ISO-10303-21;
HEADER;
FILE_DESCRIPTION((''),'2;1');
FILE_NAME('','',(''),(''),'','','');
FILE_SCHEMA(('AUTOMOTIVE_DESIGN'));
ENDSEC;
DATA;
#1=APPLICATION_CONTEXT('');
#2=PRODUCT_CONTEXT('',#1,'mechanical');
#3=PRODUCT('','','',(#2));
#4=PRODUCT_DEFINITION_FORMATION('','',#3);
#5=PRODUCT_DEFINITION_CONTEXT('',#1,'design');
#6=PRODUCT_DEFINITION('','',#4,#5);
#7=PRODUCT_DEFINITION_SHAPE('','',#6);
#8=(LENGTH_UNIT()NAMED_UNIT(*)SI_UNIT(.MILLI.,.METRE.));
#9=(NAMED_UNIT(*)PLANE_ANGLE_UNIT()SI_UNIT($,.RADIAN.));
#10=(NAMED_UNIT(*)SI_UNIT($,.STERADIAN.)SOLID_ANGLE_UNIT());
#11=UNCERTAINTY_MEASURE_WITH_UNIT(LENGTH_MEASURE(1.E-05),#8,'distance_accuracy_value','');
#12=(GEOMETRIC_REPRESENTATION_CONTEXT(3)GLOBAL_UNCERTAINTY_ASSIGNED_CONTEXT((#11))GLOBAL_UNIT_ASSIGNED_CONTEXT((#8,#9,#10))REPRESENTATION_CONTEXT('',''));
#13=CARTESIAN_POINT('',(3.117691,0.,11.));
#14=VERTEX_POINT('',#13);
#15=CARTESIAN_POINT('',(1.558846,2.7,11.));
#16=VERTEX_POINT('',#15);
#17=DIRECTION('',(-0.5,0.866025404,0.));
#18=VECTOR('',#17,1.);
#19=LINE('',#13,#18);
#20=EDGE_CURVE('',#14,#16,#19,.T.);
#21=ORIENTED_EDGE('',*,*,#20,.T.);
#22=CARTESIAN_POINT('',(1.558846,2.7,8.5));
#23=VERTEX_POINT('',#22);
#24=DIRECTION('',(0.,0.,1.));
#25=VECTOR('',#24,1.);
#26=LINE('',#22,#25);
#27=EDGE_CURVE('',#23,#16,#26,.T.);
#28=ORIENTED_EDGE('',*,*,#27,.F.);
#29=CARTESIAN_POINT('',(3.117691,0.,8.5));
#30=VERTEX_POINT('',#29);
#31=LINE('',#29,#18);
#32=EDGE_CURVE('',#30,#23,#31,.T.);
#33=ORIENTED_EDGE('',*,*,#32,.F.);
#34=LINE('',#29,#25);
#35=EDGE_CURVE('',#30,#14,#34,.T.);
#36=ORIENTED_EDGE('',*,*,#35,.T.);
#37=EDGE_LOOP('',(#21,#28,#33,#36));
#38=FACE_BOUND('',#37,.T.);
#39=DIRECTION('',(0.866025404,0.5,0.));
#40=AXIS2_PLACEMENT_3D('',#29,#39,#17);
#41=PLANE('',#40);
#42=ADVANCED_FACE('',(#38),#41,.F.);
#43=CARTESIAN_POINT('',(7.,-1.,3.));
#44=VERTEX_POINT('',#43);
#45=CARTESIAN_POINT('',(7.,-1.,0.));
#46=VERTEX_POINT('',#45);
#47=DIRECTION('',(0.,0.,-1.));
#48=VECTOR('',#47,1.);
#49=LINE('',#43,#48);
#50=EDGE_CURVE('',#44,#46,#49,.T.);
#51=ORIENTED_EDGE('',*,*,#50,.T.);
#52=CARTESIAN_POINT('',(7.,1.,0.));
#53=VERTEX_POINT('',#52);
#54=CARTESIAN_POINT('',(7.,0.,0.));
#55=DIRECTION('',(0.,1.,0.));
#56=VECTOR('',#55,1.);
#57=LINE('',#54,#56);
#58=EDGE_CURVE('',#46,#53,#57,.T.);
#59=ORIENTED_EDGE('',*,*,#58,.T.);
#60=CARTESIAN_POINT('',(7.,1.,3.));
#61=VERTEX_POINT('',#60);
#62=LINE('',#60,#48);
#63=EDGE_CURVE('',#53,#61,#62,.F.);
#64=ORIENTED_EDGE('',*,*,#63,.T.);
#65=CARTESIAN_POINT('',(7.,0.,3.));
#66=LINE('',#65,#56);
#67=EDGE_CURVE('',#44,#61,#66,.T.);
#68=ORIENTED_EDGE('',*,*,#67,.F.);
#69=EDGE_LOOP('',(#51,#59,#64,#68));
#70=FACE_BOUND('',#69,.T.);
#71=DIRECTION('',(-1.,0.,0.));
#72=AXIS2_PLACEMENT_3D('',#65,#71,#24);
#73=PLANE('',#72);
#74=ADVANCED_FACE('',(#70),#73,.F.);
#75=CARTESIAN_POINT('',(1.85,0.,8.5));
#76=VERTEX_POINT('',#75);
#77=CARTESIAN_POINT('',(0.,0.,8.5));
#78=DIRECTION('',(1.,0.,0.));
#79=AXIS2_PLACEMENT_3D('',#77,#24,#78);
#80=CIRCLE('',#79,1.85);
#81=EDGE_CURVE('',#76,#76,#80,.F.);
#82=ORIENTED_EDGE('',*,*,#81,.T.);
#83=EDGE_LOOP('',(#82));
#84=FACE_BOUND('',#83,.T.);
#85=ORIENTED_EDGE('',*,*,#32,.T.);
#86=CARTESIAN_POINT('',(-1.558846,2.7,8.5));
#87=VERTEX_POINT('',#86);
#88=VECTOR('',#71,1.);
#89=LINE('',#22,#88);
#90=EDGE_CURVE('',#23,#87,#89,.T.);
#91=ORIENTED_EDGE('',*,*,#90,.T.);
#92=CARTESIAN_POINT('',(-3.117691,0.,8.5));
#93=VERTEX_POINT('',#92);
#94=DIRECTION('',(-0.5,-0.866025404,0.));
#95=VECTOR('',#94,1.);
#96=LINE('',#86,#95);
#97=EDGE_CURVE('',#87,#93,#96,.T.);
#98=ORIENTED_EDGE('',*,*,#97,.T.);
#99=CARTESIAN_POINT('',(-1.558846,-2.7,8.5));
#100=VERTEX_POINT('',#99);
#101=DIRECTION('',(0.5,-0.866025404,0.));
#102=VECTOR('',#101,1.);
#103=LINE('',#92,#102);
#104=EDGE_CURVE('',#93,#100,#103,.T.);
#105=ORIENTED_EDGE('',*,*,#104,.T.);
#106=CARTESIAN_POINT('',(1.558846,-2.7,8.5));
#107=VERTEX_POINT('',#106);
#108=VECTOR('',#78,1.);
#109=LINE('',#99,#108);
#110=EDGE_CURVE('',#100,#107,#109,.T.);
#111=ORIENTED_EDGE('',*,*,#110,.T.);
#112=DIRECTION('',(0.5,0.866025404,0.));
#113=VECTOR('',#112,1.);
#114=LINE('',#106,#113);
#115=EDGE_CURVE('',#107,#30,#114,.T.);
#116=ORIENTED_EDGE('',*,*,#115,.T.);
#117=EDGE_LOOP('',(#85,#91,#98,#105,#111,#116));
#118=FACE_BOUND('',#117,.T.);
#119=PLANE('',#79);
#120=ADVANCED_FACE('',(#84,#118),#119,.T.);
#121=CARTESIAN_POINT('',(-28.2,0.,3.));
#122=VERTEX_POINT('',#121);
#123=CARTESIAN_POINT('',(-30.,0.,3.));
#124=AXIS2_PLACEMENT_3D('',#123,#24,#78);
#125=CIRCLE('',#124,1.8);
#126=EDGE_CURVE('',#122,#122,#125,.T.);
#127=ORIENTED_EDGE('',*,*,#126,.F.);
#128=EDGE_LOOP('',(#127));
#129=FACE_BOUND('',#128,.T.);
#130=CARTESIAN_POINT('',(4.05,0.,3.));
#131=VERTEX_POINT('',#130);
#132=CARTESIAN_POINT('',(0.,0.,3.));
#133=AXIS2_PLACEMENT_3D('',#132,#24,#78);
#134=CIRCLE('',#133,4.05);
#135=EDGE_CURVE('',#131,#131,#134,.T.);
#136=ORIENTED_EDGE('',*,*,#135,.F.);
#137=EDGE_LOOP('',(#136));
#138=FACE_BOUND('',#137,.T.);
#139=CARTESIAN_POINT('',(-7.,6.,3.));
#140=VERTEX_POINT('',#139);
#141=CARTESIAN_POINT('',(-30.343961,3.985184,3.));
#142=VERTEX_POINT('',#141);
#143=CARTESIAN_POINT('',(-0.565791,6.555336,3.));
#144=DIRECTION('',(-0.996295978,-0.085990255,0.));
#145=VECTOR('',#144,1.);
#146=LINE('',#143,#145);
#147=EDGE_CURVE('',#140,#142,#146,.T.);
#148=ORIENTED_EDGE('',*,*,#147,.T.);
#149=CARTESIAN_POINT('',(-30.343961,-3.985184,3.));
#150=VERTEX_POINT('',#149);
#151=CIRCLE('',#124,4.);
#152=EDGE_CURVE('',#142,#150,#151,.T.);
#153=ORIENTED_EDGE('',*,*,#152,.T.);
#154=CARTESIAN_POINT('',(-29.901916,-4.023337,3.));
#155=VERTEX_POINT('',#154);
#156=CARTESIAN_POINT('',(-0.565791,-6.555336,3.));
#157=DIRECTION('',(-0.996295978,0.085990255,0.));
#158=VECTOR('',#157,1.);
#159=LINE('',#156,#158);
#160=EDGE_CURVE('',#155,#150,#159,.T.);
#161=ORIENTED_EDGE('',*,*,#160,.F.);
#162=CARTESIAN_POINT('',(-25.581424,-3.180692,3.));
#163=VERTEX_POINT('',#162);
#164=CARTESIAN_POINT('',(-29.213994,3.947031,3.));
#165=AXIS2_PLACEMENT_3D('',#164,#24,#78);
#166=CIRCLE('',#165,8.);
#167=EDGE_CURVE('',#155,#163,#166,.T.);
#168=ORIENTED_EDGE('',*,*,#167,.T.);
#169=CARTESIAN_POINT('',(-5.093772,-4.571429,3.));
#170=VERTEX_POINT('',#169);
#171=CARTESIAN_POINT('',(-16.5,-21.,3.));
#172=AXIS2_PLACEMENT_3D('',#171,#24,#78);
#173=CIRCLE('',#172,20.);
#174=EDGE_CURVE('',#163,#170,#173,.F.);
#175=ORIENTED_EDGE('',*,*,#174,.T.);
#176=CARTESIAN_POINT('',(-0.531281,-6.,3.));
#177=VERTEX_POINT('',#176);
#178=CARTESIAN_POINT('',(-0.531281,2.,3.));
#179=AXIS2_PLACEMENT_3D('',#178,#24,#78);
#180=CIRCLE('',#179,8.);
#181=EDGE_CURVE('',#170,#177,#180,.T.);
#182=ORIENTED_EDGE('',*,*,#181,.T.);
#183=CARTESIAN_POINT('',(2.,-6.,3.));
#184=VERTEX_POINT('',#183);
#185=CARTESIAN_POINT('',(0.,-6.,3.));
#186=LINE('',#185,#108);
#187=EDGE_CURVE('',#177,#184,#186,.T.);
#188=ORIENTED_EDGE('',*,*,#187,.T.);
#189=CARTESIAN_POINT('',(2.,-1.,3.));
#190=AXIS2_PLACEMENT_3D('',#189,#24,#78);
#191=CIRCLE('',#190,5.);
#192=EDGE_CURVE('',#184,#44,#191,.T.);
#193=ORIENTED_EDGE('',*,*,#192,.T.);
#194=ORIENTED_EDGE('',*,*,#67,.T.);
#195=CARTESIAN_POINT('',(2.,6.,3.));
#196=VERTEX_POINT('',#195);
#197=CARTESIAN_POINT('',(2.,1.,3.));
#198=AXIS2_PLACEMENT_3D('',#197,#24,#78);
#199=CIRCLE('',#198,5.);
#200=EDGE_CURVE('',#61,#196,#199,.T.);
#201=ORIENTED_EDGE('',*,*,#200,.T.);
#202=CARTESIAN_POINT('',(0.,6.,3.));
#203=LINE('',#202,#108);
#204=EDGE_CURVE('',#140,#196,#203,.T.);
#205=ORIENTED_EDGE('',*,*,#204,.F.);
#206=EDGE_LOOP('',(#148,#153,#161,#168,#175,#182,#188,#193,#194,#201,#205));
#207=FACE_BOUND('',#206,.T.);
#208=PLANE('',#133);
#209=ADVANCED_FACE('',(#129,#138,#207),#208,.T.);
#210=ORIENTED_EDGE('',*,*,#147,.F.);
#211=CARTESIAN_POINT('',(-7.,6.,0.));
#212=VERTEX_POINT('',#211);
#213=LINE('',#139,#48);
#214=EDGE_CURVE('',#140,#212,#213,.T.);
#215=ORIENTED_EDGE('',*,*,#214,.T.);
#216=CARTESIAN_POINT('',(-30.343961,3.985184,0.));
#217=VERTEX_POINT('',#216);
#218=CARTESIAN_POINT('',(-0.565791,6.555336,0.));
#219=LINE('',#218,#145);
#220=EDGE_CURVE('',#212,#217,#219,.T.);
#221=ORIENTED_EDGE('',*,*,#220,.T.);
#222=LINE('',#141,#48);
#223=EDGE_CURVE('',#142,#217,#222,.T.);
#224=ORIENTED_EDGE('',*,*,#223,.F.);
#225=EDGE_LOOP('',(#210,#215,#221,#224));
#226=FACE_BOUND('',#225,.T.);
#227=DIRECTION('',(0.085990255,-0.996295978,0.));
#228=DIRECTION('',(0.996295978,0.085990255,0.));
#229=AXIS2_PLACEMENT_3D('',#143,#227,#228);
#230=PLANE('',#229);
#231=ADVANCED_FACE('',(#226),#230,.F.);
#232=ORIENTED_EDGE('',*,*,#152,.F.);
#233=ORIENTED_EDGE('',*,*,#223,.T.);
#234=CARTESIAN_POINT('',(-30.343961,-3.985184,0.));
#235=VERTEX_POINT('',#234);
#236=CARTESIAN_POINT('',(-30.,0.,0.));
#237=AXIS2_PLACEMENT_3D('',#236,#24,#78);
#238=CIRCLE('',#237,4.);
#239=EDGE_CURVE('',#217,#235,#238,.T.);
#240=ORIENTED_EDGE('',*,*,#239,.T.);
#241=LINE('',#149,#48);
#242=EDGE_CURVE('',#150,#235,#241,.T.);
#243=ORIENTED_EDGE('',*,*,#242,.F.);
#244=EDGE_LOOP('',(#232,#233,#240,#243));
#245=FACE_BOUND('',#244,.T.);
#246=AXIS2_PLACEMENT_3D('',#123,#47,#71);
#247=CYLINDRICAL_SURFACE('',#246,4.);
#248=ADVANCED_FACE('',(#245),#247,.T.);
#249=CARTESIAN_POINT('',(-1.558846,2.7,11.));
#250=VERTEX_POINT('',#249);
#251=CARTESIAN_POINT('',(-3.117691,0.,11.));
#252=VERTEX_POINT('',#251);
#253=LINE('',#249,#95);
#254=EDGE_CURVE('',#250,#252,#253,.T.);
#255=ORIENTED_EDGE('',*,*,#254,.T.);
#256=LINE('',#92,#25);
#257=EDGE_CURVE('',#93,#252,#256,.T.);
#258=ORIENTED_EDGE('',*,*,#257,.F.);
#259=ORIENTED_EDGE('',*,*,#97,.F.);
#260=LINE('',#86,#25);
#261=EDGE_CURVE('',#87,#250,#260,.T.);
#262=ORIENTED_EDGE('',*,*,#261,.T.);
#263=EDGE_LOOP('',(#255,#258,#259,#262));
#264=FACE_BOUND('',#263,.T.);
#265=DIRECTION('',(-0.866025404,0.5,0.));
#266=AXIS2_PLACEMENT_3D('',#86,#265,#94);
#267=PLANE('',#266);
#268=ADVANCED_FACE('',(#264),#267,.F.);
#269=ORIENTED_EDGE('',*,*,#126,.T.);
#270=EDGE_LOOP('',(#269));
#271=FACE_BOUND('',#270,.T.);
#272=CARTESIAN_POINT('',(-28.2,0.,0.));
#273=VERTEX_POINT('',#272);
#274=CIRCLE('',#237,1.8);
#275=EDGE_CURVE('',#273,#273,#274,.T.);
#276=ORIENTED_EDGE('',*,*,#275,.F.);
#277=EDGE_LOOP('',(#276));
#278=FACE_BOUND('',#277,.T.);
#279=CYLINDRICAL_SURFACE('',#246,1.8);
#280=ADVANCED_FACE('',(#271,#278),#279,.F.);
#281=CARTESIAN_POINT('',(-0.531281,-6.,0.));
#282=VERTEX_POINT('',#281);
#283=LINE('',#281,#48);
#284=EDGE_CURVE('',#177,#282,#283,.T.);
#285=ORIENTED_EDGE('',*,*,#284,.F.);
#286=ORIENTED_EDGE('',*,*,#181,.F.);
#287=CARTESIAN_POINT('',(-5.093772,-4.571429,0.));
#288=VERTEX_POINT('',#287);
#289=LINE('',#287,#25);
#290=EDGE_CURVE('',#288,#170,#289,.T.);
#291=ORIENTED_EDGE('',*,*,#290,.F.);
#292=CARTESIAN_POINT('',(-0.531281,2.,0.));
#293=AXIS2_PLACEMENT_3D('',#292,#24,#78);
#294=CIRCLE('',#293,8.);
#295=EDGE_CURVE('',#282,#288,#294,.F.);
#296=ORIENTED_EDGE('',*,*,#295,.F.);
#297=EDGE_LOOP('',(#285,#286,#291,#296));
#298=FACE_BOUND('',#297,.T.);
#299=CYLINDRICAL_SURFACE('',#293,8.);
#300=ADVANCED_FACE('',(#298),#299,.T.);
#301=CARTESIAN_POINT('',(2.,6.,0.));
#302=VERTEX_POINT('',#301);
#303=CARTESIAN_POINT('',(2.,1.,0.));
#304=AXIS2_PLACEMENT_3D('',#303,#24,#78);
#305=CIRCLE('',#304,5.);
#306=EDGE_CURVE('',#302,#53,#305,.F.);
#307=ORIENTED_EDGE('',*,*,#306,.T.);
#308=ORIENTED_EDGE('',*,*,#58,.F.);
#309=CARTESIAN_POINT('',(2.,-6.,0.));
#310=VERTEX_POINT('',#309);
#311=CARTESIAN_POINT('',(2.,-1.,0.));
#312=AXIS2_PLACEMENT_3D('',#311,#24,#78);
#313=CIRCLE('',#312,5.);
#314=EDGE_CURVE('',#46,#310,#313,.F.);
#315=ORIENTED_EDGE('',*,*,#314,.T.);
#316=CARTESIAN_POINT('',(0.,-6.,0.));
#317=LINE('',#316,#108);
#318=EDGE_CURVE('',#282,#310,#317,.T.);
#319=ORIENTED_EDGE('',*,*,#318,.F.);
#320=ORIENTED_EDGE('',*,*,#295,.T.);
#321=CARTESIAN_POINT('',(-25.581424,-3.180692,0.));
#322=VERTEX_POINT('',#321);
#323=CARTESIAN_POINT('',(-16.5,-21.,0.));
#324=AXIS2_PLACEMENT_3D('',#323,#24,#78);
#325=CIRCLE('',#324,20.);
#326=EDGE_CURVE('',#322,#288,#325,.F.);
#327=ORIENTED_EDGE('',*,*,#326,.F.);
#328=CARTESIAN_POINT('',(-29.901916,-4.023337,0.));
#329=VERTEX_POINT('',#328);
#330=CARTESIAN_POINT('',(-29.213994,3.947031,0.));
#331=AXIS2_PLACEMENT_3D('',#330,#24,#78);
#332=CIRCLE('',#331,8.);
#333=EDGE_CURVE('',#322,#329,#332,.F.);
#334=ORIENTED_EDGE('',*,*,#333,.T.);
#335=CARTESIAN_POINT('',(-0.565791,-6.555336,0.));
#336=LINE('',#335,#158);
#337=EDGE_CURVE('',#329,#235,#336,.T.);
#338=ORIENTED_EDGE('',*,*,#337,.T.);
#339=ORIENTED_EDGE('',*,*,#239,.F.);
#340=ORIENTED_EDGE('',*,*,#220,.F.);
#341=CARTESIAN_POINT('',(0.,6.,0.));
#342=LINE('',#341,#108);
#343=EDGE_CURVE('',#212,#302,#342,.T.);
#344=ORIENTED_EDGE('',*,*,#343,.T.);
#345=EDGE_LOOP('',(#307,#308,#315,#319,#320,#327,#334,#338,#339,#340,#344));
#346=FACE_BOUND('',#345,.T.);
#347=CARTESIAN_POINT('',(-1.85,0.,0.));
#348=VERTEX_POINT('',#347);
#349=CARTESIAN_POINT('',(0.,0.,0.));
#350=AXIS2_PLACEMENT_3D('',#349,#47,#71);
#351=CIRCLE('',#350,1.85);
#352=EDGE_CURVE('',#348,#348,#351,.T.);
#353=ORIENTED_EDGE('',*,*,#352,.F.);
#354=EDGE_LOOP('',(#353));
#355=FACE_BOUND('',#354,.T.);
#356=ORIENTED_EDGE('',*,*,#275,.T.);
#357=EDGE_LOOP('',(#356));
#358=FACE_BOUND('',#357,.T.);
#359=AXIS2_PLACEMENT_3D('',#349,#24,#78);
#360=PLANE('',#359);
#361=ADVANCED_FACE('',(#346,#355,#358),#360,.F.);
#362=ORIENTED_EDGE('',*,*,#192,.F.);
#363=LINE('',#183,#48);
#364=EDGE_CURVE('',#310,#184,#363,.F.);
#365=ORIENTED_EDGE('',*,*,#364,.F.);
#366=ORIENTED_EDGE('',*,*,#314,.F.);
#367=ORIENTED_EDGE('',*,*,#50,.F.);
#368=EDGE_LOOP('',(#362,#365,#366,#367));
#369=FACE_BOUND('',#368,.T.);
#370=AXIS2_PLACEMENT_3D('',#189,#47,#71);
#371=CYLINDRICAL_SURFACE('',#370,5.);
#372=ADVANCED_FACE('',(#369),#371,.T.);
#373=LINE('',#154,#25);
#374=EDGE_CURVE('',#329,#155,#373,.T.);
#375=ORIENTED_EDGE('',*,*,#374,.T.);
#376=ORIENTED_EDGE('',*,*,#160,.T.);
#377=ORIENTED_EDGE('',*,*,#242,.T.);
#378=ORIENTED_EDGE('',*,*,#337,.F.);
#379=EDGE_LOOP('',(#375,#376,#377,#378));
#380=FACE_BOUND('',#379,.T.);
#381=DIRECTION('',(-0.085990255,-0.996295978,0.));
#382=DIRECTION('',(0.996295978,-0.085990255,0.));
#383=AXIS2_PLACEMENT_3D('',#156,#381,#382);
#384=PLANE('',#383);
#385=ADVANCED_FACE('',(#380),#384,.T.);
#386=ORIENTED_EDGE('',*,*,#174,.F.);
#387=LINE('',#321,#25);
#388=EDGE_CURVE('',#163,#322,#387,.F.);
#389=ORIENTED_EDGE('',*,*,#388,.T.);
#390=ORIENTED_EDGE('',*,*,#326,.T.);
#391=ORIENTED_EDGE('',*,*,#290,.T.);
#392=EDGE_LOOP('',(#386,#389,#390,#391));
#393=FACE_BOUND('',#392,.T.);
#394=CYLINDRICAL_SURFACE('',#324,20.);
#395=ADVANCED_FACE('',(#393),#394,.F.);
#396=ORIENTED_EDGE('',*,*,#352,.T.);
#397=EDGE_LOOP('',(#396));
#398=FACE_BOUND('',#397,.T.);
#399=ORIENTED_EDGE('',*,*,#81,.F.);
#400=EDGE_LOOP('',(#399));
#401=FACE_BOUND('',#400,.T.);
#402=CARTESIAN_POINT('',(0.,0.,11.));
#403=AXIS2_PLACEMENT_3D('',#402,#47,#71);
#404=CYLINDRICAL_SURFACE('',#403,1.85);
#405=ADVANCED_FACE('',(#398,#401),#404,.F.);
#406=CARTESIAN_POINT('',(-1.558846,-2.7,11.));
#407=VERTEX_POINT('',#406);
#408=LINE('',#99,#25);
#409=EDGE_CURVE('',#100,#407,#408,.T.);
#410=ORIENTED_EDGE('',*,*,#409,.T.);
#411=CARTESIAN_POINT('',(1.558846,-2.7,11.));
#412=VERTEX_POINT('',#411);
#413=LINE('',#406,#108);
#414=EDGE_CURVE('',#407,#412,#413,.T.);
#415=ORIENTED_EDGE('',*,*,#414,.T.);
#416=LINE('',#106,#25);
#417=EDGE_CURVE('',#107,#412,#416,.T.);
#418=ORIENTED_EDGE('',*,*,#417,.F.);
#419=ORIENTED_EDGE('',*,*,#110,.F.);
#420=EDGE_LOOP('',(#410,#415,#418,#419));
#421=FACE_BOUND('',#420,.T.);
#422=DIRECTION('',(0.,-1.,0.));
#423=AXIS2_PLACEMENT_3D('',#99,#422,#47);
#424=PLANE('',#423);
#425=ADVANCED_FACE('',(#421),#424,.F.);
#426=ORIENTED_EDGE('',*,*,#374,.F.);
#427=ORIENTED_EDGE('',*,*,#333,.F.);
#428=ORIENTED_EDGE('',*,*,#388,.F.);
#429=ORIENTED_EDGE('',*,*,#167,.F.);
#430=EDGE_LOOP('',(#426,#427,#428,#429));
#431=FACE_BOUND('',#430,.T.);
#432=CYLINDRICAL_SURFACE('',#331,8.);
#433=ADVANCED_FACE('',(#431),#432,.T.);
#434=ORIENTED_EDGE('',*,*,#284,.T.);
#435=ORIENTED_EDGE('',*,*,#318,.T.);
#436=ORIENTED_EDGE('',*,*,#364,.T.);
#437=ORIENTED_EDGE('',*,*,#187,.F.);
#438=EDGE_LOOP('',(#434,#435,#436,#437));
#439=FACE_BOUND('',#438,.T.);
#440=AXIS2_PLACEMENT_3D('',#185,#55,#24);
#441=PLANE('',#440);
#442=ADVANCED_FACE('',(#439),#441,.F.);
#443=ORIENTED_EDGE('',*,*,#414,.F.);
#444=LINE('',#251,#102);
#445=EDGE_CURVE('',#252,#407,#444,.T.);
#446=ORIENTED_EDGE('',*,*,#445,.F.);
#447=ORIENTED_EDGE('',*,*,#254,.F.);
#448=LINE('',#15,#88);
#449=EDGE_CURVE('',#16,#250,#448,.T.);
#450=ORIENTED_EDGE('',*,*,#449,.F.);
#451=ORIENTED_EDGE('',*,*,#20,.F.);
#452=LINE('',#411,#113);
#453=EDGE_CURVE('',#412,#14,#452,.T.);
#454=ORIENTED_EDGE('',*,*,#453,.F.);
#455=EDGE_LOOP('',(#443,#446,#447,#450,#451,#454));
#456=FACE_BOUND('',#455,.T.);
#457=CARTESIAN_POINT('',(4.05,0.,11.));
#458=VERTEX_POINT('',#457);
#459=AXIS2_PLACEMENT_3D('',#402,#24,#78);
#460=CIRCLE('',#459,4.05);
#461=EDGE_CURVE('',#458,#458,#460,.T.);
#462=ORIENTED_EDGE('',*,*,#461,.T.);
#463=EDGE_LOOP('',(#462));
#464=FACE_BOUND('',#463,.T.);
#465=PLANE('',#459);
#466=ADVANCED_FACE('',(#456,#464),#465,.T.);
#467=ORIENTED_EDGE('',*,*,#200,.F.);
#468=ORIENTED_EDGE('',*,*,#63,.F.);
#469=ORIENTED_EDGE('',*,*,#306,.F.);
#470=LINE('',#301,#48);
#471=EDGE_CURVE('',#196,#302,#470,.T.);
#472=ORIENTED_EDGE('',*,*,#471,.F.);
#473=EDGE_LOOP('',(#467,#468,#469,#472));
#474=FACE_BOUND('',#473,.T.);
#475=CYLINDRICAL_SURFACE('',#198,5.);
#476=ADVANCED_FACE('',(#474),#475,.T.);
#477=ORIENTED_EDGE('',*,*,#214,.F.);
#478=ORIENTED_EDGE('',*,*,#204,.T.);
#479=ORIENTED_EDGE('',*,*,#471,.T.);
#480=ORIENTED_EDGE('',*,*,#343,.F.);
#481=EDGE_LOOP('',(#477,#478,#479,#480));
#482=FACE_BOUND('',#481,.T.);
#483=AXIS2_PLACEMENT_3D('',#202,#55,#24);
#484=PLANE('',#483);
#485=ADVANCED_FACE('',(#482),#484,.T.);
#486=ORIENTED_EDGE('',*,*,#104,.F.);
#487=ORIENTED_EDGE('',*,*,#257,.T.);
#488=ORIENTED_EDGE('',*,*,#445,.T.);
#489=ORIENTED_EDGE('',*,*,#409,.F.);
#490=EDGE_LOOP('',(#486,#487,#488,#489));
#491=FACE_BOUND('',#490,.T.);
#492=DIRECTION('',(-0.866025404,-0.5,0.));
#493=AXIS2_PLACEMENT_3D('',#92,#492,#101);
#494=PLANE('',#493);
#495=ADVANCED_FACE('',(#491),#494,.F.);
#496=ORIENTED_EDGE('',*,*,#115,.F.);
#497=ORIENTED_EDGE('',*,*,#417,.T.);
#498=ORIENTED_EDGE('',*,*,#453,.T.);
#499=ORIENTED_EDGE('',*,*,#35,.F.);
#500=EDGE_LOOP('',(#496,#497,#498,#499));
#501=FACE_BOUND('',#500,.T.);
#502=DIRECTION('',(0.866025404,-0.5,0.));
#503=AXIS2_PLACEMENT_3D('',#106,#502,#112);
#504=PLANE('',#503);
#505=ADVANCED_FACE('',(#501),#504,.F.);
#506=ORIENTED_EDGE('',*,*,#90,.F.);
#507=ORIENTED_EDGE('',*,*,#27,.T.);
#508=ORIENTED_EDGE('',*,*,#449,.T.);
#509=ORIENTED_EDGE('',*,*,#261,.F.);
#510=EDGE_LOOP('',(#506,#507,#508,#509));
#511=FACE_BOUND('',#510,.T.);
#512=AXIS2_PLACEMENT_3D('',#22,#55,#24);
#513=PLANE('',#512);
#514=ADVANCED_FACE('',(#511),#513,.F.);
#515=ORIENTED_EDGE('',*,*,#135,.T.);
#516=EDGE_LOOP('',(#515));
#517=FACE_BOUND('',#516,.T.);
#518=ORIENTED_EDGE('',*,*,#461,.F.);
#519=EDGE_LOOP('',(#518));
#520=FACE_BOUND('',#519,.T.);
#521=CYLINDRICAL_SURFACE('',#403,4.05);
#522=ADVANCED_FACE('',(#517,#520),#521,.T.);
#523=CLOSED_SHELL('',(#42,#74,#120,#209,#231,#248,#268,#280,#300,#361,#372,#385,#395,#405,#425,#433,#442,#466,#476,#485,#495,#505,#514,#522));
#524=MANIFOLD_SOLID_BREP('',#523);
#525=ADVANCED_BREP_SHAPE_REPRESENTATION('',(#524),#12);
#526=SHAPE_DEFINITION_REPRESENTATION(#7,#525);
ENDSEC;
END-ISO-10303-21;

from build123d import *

# Parameters (mm, degrees)
SKETCH1_R               = 4.05
SKETCH1_R_2             = 1.8
BOSS_EXTRUDE1_DEPTH     = 3
SKETCH1_2_R             = 4.05
BOSS_EXTRUDE2_DEPTH     = 11
FILLET1_R               = 5
SKETCH2_R               = 1.85
CUT_EXTRUDE1_DEPTH      = 37.235341864
CUT_EXTRUDE2_DEPTH      = 2.5
CUT_EXTRUDE3_DEPTH      = 36.440090293
CUT_EXTRUDE3_DEPTH_BACK = 36.440090293
FILLET2_R               = 8


with BuildPart() as part:
    # Sketch1 → Boss-Extrude1 (new body)
    with BuildSketch(Plane.XY):
        with BuildLine():
            Line((-7, 6), (-30.343961021, 3.985183912))
            ThreePointArc((-30.343961021, 3.985183912), (-34, 0), (-30.343961021, -3.985183912))
            Line((-30.343961021, -3.985183912), (-7, -6))
            Line((-7, -6), (7, -6))
            Line((7, -6), (7, 6))
            Line((7, 6), (-7, 6))
        make_face()
        Circle(SKETCH1_R, mode=Mode.SUBTRACT)
        with Locations((-30, 0)):
            Circle(SKETCH1_R_2, mode=Mode.SUBTRACT)
    extrude(amount=BOSS_EXTRUDE1_DEPTH)

    # Sketch1<2> → Boss-Extrude2 (add)
    with BuildSketch(Plane.XY):
        Circle(SKETCH1_2_R)
    extrude(amount=BOSS_EXTRUDE2_DEPTH)

    # Fillet1
    fillet1_edges = [part.edges().sort_by_distance(p)[0] for p in [
        (7, 6, 1.5),
        (7, -6, 1.5),
    ]]
    fillet(fillet1_edges, radius=FILLET1_R)

    # Sketch2 → Cut-Extrude1 (cut, through all)
    with BuildSketch(Plane(origin=(0, 0, 0), x_dir=(-1, 0, 0), z_dir=(0, 0, -1))):
        Circle(SKETCH2_R)
    extrude(amount=-CUT_EXTRUDE1_DEPTH, mode=Mode.SUBTRACT)

    # Sketch3 → Cut-Extrude2 (cut)
    with BuildSketch(Plane.XY.offset(11)):
        Polygon((1.558845727, 2.7), (-1.558845727, 2.7), (-3.117691454, 0), (-1.558845727, -2.7), (1.558845727, -2.7), (3.117691454, 0), align=None)
    extrude(amount=-CUT_EXTRUDE2_DEPTH, mode=Mode.SUBTRACT)

    # Sketch5 → Cut-Extrude3 (cut, two sides: drawn at the far end of the back side and taken through both)
    with BuildSketch(Plane.XY.offset(3).offset(-CUT_EXTRUDE3_DEPTH_BACK)):
        with BuildLine():
            Line((-27.410855082, -4.238340137), (-7, -6))
            Line((-7, -6), (-3.277962863, -6))
            Line((-3.277962863, -6), (-3.271243445, -6))
            ThreePointArc((-3.271243445, -6), (-15.044311785, -1.053046052), (-27.410855082, -4.238340137))
        make_face()
    extrude(amount=CUT_EXTRUDE3_DEPTH + CUT_EXTRUDE3_DEPTH_BACK, mode=Mode.SUBTRACT)

    # Fillet2
    fillet2_edges = [part.edges().sort_by_distance(p)[0] for p in [
        (-27.410855082, -4.238340137, 1.5),
        (-3.271243445, -6, 1.5),
    ]]
    fillet(fillet2_edges, radius=FILLET2_R)


solid = part.part
